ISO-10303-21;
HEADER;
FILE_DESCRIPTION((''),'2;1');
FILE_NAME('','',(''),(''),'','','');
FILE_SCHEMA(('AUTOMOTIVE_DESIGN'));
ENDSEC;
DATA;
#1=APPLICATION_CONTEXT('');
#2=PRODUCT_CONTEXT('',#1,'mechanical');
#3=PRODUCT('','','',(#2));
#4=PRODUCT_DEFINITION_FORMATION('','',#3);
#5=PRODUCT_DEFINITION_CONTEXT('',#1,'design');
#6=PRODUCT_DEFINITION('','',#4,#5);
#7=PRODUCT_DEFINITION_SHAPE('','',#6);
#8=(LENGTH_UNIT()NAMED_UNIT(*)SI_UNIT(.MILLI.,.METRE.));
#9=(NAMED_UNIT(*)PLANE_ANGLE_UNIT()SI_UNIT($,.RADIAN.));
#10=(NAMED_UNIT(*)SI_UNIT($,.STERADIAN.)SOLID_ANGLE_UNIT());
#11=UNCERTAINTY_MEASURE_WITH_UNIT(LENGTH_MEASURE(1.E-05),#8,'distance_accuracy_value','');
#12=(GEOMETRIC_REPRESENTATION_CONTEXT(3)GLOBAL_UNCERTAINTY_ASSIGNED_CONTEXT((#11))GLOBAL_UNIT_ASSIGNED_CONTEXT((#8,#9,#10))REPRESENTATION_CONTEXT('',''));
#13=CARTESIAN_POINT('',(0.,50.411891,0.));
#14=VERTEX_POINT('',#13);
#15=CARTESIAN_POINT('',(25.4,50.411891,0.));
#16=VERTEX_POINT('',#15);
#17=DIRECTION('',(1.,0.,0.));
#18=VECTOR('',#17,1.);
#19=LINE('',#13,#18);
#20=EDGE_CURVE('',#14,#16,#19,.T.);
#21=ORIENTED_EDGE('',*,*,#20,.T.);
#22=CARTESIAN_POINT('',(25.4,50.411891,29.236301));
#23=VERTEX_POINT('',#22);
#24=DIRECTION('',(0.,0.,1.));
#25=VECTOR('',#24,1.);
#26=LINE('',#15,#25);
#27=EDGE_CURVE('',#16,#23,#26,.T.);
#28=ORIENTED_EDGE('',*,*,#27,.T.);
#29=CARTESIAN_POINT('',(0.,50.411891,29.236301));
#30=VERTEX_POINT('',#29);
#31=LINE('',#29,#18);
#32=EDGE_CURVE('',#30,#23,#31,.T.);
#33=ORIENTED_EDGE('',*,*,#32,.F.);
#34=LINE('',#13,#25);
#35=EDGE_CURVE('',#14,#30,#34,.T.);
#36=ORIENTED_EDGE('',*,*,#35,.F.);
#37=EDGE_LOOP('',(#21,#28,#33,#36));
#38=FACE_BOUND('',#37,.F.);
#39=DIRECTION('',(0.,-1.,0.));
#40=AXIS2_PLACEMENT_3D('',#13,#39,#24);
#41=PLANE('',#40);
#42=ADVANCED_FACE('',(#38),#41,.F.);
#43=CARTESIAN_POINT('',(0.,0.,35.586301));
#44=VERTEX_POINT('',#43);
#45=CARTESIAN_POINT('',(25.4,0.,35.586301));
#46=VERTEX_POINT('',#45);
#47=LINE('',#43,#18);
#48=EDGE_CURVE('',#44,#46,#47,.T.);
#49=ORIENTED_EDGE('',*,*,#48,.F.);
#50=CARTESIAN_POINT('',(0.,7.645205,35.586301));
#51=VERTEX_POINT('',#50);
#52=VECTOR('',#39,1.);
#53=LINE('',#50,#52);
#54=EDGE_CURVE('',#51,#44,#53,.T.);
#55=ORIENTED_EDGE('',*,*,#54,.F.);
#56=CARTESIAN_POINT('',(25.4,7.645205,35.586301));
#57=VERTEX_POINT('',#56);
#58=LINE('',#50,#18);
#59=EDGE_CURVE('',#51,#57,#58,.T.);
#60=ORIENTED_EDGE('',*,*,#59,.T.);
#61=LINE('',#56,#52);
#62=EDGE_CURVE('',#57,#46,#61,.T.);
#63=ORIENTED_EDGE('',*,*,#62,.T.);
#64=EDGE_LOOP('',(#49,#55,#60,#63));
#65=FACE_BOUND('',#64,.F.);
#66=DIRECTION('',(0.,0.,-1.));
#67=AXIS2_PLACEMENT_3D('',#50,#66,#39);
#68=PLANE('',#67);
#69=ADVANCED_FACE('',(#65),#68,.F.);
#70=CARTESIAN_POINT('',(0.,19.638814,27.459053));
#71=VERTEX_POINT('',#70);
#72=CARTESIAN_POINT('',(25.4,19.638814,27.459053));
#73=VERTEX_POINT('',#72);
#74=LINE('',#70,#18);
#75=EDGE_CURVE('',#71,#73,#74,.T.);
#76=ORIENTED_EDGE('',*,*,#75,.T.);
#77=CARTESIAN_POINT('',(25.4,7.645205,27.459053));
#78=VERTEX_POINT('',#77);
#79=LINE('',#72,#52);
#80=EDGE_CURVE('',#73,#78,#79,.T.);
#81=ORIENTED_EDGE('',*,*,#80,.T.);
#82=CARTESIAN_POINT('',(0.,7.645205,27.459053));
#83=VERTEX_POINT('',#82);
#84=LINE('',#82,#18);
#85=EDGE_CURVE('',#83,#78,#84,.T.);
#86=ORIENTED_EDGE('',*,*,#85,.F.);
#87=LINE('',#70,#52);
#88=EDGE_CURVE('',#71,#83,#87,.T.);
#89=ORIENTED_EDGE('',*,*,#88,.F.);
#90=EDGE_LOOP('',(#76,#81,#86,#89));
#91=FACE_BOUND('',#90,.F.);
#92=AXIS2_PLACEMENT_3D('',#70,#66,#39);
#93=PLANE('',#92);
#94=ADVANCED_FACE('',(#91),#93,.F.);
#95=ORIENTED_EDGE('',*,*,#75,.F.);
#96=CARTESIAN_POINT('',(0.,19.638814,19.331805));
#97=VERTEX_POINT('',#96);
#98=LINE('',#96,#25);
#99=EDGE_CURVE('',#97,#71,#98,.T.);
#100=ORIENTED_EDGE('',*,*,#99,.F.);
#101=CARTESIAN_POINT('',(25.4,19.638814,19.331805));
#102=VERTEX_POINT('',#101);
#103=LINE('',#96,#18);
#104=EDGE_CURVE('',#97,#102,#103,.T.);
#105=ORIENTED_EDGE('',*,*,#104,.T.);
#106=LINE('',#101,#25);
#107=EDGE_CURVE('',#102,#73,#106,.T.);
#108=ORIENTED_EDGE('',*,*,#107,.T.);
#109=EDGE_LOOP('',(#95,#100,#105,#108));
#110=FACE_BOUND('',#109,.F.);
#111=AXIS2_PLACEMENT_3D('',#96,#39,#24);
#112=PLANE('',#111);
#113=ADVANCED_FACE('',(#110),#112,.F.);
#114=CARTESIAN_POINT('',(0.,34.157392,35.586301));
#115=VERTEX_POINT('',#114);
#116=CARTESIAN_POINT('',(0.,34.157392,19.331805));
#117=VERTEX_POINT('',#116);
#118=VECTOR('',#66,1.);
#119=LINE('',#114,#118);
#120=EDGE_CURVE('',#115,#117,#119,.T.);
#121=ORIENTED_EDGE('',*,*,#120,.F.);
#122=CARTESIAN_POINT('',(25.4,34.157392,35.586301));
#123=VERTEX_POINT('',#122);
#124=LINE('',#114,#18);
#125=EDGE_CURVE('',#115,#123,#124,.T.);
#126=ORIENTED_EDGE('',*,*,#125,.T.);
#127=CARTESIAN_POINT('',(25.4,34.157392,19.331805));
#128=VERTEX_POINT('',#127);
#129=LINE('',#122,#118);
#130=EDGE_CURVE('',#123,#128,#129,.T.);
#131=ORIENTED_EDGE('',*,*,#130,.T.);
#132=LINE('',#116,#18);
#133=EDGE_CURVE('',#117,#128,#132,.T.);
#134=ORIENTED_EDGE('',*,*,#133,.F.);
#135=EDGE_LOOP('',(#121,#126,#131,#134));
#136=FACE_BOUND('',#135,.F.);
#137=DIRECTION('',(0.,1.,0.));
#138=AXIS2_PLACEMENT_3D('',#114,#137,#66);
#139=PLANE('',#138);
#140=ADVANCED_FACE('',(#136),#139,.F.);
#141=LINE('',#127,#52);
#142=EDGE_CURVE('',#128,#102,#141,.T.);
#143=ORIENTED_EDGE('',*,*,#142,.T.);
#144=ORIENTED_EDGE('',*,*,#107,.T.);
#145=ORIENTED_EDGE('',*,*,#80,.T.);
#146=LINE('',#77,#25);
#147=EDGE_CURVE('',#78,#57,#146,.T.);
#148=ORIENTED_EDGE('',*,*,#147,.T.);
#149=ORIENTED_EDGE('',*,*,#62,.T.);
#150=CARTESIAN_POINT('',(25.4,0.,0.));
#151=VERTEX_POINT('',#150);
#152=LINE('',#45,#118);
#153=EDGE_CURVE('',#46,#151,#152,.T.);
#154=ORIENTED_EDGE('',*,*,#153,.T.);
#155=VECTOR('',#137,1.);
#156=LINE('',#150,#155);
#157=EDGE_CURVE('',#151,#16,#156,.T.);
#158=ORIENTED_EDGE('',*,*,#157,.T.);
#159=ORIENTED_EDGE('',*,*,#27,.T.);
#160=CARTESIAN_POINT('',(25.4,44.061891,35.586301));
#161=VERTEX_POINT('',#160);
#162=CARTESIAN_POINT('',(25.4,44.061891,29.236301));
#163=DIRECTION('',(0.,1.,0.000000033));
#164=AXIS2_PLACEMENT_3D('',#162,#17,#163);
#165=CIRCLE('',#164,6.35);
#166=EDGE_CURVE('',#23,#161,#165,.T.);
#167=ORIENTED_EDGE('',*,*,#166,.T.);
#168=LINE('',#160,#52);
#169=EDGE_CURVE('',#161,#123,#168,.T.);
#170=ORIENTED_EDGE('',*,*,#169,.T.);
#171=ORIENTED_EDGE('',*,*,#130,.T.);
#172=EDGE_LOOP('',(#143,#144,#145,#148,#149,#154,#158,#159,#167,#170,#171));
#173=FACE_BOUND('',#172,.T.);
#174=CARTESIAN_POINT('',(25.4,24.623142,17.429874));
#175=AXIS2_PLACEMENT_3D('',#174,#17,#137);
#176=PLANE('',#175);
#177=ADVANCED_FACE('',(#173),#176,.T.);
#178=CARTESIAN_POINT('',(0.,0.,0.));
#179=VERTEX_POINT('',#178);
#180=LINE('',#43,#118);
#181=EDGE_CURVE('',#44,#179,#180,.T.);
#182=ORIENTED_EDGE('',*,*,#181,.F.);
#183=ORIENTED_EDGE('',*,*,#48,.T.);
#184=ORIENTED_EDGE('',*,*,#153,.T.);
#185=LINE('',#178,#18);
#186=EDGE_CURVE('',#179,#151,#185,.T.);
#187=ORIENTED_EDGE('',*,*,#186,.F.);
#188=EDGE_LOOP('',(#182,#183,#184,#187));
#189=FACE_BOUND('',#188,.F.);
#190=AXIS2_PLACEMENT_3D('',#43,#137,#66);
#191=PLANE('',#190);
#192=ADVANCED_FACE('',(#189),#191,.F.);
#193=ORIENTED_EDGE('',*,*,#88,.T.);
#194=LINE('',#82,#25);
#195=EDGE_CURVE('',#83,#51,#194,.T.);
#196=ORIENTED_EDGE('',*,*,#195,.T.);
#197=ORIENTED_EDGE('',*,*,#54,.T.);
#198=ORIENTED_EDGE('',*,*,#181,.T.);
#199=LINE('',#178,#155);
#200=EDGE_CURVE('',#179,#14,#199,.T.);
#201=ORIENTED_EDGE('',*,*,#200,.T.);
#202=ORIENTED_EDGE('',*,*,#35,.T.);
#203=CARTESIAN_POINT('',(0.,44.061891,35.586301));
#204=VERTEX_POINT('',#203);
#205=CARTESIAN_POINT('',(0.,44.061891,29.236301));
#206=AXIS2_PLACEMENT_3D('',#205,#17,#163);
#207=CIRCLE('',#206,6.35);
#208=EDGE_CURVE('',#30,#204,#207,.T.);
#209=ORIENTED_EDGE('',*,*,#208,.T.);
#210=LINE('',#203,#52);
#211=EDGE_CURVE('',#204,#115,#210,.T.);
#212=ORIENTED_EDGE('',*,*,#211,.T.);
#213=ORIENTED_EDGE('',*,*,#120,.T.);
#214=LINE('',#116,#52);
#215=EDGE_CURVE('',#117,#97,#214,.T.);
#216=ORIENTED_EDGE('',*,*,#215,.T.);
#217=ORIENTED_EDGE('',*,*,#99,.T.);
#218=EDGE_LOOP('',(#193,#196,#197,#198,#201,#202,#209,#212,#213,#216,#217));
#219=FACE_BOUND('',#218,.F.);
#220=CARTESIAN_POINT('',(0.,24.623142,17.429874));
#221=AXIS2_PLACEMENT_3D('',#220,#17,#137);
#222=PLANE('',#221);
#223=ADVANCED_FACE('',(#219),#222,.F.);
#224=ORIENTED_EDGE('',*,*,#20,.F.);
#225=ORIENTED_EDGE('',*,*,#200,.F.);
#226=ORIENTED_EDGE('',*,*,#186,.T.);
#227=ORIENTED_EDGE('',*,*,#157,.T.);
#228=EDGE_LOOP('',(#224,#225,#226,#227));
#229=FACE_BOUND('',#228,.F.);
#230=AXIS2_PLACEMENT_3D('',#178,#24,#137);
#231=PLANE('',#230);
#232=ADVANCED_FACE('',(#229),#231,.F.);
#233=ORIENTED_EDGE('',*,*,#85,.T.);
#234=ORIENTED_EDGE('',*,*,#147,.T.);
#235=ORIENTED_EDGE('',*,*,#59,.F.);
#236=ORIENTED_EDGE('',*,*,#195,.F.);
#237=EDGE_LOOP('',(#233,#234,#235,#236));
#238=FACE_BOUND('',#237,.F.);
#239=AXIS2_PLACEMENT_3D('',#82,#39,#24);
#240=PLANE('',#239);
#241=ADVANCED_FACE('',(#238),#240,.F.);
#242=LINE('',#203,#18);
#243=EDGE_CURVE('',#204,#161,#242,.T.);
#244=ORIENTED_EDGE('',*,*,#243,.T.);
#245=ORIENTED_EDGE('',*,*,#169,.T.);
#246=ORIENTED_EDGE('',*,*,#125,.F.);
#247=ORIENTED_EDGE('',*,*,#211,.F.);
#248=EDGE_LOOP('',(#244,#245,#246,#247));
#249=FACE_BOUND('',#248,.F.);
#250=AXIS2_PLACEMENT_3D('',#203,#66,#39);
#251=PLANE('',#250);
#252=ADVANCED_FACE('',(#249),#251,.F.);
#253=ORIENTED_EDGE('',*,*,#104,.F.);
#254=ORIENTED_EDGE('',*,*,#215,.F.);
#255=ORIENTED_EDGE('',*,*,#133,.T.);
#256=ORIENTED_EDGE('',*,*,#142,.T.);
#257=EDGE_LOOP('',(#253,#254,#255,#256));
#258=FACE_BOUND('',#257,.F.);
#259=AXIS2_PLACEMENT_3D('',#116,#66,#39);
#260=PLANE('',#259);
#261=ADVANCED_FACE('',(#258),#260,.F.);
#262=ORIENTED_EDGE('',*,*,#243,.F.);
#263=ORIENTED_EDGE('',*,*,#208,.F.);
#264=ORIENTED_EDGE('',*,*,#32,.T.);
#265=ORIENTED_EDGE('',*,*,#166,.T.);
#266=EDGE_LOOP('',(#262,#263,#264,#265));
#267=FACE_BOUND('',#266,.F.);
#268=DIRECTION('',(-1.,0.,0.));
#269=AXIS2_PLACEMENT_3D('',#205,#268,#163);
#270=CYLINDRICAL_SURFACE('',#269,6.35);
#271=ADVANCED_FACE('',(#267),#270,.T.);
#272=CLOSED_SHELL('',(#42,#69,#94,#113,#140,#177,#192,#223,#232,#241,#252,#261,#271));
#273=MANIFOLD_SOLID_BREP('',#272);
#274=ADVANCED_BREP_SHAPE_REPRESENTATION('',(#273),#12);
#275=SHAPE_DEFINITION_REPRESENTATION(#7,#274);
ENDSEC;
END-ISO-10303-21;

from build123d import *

# Parameters (mm, degrees)
F1_DEPTH = 25.4


with BuildPart() as f1:
    # F0 (on Right) → F1 (new body)
    with BuildSketch(Plane.YZ):
        with BuildLine():
            Line((0, 35.586301), (0, 0))
            Line((0, 0), (50.411891, 0))
            Line((50.411891, 0), (50.411891, 29.236301))
            ThreePointArc((50.411891, 29.236301), (48.552019, 33.726429), (44.061891, 35.586301))
            Line((44.061891, 35.586301), (34.157392, 35.586301))
            Line((34.157392, 35.586301), (34.157392, 19.331805))
            Line((34.157392, 19.331805), (19.638814, 19.331805))
            Line((19.638814, 19.331805), (19.638814, 27.459053))
            Line((19.638814, 27.459053), (7.645205, 27.459053))
            Line((7.645205, 27.459053), (7.645205, 35.586301))
            Line((7.645205, 35.586301), (0, 35.586301))
        make_face()
    extrude(amount=F1_DEPTH)


solid = f1.part
